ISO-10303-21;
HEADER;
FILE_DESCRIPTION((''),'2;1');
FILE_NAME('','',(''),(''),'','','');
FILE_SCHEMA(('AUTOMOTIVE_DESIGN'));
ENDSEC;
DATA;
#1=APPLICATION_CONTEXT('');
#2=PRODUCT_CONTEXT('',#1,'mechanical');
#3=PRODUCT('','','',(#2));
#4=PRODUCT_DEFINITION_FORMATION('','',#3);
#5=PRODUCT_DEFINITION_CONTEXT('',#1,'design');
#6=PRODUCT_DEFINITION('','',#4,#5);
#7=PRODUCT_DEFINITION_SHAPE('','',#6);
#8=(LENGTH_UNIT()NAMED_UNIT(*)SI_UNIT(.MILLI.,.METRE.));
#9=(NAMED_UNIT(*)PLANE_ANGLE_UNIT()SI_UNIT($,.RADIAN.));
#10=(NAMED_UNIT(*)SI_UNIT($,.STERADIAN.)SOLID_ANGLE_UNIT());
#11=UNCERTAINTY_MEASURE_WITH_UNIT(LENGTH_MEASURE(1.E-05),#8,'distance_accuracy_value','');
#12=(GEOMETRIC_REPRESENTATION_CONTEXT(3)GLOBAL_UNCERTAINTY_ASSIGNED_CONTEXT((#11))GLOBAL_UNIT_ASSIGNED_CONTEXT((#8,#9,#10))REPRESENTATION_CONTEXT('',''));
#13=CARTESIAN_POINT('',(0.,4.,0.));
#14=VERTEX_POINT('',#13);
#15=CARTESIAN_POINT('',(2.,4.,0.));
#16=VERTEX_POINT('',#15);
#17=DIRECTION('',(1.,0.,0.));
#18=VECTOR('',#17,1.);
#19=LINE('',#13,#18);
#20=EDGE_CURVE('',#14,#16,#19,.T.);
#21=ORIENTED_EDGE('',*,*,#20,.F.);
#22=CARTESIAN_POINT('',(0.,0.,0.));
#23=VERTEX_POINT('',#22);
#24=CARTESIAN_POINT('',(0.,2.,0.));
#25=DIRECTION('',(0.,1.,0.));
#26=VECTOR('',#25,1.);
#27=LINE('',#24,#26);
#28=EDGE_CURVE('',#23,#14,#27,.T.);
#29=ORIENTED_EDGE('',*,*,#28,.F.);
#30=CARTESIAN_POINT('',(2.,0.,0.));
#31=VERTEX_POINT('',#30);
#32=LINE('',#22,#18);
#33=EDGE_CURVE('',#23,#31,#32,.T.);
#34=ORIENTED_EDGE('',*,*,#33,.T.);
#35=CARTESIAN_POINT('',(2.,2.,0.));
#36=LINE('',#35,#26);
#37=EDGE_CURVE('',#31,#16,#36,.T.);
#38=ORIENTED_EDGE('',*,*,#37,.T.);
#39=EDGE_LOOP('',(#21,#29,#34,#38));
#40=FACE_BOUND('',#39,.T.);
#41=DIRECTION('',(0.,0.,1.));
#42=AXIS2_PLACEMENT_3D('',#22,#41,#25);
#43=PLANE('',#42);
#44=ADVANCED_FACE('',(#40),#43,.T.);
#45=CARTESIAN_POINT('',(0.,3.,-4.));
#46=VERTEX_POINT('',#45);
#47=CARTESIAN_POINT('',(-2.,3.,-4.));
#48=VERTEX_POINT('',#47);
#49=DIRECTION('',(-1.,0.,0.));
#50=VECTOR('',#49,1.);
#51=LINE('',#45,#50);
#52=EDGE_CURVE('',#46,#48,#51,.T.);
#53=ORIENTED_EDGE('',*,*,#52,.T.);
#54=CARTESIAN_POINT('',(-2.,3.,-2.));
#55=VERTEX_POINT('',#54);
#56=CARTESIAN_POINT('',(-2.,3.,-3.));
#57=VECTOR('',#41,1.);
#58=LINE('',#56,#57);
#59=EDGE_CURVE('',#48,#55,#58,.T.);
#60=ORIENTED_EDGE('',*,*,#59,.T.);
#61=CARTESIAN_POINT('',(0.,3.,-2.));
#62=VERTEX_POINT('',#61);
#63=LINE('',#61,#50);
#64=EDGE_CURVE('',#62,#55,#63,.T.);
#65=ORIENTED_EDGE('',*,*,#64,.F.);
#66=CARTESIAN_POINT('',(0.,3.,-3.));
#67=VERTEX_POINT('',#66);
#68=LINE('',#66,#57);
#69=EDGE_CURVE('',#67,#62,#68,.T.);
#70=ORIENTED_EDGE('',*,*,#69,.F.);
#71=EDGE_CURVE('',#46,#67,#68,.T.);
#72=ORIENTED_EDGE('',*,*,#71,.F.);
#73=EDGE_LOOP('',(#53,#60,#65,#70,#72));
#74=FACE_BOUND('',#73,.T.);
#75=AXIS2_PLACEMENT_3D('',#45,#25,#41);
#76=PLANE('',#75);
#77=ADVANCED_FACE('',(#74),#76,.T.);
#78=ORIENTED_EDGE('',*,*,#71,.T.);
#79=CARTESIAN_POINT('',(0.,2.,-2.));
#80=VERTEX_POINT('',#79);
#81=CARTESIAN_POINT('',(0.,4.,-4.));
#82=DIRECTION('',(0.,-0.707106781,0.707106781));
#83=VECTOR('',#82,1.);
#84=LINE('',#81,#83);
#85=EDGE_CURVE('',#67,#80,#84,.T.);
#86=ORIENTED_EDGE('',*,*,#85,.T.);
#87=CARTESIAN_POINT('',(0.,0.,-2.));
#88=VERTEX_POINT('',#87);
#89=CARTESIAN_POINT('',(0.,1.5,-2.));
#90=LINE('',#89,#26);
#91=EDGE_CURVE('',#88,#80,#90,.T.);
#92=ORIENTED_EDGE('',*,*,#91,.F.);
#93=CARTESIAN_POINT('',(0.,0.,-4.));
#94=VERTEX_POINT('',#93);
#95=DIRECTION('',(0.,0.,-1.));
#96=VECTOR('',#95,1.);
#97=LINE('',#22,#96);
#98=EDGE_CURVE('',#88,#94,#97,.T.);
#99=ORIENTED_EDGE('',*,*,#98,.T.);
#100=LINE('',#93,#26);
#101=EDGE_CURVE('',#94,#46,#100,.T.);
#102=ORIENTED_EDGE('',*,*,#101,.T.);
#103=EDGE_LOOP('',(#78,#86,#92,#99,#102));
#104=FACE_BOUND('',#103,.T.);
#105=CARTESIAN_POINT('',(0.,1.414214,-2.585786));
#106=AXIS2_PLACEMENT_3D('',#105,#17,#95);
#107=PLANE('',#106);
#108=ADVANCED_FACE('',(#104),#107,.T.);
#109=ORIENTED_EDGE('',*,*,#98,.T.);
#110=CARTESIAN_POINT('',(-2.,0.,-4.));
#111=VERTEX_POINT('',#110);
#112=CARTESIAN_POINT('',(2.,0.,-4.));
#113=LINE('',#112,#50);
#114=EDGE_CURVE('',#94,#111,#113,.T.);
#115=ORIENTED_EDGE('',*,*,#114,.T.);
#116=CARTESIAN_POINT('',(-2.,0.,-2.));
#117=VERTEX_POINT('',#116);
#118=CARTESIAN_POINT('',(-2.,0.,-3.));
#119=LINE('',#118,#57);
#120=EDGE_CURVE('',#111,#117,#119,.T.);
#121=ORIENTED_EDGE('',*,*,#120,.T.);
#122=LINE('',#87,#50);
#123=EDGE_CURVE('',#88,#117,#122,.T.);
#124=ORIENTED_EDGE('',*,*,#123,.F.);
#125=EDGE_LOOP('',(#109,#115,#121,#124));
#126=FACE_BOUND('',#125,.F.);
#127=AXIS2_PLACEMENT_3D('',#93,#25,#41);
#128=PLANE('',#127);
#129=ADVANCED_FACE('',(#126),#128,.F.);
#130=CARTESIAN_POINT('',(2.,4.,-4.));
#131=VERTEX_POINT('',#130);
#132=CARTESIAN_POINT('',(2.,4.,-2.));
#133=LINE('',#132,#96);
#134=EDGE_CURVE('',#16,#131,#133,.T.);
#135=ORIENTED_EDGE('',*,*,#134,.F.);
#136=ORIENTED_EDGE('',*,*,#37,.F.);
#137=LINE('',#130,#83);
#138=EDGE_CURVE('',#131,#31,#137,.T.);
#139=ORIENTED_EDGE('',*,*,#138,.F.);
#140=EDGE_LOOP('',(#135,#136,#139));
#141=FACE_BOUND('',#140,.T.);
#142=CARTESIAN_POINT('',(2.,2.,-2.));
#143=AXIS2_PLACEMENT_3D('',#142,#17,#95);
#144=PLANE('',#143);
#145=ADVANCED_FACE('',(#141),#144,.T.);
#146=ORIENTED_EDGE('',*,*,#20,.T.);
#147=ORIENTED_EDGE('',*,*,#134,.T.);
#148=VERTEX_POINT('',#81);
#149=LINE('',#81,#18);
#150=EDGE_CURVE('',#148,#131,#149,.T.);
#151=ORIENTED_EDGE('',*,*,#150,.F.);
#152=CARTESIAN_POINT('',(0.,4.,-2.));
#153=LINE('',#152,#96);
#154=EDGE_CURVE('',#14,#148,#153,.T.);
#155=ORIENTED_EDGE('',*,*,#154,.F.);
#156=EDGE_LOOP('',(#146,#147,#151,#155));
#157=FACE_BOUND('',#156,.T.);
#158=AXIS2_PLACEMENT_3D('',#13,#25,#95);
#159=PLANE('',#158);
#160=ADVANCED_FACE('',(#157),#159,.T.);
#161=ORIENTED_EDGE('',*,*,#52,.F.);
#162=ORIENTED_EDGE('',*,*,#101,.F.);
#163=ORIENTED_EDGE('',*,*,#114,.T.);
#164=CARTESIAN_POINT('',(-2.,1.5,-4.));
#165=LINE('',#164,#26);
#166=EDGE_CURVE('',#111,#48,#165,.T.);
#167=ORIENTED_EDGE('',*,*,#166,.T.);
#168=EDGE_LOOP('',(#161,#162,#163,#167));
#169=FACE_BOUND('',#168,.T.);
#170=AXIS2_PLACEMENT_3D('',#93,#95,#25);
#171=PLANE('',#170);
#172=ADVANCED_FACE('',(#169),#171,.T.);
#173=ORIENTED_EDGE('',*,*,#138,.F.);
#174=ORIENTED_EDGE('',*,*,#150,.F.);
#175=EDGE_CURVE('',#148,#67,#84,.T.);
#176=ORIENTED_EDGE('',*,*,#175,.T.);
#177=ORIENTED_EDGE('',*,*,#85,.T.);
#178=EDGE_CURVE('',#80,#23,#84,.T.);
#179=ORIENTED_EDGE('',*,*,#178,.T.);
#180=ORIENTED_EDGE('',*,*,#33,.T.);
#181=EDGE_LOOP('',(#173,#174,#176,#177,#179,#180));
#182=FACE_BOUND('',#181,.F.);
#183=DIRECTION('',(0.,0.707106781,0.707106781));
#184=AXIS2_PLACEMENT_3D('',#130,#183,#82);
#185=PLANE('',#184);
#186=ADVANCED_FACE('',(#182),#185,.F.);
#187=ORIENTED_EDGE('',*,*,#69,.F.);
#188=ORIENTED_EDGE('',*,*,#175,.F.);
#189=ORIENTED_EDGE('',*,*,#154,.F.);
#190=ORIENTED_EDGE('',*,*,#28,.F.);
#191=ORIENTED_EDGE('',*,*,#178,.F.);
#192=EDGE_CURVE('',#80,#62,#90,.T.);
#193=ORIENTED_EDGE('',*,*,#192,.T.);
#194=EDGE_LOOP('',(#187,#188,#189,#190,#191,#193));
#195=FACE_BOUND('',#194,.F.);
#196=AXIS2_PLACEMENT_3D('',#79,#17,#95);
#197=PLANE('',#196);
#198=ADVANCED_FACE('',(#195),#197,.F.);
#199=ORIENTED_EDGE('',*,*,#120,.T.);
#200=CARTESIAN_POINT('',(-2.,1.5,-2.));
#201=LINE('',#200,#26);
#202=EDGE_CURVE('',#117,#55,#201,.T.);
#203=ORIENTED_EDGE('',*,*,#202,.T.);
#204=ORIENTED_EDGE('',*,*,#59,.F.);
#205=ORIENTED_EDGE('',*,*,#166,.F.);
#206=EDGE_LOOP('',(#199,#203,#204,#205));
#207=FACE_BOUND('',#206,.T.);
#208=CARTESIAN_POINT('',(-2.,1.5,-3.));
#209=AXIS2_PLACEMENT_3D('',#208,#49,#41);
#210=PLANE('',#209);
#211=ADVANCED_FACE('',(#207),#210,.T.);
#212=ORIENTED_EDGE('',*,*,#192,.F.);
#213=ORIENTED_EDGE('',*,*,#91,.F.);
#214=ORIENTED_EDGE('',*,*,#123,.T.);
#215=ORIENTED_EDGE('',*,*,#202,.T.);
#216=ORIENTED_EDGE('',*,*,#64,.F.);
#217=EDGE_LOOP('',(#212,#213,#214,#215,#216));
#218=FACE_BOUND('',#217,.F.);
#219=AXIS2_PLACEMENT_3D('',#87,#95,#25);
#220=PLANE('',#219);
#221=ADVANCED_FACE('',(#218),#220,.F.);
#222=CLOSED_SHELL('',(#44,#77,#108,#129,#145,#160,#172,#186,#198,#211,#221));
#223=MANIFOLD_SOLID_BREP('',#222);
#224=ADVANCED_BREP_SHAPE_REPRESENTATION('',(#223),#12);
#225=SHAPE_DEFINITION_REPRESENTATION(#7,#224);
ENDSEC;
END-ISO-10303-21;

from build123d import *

# Parameters (mm, degrees)
SKETCH1_W           = 4
SKETCH1_H           = 4
BOSS_EXTRUDE1_DEPTH = 2
SKETCH2_W           = 2
SKETCH2_H           = 3
BOSS_EXTRUDE2_DEPTH = 2
CUT_EXTRUDE1_DEPTH  = 2


with BuildPart() as part:
    # Sketch1 → Boss-Extrude1 (new body)
    with BuildSketch(Plane(origin=(0, 0, 0), x_dir=(0, 0, -1), z_dir=(1, 0, 0))):
        with Locations((2, 2)):
            Rectangle(SKETCH1_W, SKETCH1_H)
    extrude(amount=BOSS_EXTRUDE1_DEPTH)

    # Sketch2 → Boss-Extrude2 (add)
    with BuildSketch(Plane.ZY):
        with Locations((-3, 1.5)):
            Rectangle(SKETCH2_W, SKETCH2_H)
    extrude(amount=BOSS_EXTRUDE2_DEPTH)

    # Sketch3 → Cut-Extrude1 (cut)
    with BuildSketch(Plane(origin=(2, 0, 0), x_dir=(0, 0, -1), z_dir=(1, 0, 0))):
        Polygon((4, 4), (0, 0), (4, 0), align=None)
    extrude(amount=-CUT_EXTRUDE1_DEPTH, mode=Mode.SUBTRACT)


solid = part.part
